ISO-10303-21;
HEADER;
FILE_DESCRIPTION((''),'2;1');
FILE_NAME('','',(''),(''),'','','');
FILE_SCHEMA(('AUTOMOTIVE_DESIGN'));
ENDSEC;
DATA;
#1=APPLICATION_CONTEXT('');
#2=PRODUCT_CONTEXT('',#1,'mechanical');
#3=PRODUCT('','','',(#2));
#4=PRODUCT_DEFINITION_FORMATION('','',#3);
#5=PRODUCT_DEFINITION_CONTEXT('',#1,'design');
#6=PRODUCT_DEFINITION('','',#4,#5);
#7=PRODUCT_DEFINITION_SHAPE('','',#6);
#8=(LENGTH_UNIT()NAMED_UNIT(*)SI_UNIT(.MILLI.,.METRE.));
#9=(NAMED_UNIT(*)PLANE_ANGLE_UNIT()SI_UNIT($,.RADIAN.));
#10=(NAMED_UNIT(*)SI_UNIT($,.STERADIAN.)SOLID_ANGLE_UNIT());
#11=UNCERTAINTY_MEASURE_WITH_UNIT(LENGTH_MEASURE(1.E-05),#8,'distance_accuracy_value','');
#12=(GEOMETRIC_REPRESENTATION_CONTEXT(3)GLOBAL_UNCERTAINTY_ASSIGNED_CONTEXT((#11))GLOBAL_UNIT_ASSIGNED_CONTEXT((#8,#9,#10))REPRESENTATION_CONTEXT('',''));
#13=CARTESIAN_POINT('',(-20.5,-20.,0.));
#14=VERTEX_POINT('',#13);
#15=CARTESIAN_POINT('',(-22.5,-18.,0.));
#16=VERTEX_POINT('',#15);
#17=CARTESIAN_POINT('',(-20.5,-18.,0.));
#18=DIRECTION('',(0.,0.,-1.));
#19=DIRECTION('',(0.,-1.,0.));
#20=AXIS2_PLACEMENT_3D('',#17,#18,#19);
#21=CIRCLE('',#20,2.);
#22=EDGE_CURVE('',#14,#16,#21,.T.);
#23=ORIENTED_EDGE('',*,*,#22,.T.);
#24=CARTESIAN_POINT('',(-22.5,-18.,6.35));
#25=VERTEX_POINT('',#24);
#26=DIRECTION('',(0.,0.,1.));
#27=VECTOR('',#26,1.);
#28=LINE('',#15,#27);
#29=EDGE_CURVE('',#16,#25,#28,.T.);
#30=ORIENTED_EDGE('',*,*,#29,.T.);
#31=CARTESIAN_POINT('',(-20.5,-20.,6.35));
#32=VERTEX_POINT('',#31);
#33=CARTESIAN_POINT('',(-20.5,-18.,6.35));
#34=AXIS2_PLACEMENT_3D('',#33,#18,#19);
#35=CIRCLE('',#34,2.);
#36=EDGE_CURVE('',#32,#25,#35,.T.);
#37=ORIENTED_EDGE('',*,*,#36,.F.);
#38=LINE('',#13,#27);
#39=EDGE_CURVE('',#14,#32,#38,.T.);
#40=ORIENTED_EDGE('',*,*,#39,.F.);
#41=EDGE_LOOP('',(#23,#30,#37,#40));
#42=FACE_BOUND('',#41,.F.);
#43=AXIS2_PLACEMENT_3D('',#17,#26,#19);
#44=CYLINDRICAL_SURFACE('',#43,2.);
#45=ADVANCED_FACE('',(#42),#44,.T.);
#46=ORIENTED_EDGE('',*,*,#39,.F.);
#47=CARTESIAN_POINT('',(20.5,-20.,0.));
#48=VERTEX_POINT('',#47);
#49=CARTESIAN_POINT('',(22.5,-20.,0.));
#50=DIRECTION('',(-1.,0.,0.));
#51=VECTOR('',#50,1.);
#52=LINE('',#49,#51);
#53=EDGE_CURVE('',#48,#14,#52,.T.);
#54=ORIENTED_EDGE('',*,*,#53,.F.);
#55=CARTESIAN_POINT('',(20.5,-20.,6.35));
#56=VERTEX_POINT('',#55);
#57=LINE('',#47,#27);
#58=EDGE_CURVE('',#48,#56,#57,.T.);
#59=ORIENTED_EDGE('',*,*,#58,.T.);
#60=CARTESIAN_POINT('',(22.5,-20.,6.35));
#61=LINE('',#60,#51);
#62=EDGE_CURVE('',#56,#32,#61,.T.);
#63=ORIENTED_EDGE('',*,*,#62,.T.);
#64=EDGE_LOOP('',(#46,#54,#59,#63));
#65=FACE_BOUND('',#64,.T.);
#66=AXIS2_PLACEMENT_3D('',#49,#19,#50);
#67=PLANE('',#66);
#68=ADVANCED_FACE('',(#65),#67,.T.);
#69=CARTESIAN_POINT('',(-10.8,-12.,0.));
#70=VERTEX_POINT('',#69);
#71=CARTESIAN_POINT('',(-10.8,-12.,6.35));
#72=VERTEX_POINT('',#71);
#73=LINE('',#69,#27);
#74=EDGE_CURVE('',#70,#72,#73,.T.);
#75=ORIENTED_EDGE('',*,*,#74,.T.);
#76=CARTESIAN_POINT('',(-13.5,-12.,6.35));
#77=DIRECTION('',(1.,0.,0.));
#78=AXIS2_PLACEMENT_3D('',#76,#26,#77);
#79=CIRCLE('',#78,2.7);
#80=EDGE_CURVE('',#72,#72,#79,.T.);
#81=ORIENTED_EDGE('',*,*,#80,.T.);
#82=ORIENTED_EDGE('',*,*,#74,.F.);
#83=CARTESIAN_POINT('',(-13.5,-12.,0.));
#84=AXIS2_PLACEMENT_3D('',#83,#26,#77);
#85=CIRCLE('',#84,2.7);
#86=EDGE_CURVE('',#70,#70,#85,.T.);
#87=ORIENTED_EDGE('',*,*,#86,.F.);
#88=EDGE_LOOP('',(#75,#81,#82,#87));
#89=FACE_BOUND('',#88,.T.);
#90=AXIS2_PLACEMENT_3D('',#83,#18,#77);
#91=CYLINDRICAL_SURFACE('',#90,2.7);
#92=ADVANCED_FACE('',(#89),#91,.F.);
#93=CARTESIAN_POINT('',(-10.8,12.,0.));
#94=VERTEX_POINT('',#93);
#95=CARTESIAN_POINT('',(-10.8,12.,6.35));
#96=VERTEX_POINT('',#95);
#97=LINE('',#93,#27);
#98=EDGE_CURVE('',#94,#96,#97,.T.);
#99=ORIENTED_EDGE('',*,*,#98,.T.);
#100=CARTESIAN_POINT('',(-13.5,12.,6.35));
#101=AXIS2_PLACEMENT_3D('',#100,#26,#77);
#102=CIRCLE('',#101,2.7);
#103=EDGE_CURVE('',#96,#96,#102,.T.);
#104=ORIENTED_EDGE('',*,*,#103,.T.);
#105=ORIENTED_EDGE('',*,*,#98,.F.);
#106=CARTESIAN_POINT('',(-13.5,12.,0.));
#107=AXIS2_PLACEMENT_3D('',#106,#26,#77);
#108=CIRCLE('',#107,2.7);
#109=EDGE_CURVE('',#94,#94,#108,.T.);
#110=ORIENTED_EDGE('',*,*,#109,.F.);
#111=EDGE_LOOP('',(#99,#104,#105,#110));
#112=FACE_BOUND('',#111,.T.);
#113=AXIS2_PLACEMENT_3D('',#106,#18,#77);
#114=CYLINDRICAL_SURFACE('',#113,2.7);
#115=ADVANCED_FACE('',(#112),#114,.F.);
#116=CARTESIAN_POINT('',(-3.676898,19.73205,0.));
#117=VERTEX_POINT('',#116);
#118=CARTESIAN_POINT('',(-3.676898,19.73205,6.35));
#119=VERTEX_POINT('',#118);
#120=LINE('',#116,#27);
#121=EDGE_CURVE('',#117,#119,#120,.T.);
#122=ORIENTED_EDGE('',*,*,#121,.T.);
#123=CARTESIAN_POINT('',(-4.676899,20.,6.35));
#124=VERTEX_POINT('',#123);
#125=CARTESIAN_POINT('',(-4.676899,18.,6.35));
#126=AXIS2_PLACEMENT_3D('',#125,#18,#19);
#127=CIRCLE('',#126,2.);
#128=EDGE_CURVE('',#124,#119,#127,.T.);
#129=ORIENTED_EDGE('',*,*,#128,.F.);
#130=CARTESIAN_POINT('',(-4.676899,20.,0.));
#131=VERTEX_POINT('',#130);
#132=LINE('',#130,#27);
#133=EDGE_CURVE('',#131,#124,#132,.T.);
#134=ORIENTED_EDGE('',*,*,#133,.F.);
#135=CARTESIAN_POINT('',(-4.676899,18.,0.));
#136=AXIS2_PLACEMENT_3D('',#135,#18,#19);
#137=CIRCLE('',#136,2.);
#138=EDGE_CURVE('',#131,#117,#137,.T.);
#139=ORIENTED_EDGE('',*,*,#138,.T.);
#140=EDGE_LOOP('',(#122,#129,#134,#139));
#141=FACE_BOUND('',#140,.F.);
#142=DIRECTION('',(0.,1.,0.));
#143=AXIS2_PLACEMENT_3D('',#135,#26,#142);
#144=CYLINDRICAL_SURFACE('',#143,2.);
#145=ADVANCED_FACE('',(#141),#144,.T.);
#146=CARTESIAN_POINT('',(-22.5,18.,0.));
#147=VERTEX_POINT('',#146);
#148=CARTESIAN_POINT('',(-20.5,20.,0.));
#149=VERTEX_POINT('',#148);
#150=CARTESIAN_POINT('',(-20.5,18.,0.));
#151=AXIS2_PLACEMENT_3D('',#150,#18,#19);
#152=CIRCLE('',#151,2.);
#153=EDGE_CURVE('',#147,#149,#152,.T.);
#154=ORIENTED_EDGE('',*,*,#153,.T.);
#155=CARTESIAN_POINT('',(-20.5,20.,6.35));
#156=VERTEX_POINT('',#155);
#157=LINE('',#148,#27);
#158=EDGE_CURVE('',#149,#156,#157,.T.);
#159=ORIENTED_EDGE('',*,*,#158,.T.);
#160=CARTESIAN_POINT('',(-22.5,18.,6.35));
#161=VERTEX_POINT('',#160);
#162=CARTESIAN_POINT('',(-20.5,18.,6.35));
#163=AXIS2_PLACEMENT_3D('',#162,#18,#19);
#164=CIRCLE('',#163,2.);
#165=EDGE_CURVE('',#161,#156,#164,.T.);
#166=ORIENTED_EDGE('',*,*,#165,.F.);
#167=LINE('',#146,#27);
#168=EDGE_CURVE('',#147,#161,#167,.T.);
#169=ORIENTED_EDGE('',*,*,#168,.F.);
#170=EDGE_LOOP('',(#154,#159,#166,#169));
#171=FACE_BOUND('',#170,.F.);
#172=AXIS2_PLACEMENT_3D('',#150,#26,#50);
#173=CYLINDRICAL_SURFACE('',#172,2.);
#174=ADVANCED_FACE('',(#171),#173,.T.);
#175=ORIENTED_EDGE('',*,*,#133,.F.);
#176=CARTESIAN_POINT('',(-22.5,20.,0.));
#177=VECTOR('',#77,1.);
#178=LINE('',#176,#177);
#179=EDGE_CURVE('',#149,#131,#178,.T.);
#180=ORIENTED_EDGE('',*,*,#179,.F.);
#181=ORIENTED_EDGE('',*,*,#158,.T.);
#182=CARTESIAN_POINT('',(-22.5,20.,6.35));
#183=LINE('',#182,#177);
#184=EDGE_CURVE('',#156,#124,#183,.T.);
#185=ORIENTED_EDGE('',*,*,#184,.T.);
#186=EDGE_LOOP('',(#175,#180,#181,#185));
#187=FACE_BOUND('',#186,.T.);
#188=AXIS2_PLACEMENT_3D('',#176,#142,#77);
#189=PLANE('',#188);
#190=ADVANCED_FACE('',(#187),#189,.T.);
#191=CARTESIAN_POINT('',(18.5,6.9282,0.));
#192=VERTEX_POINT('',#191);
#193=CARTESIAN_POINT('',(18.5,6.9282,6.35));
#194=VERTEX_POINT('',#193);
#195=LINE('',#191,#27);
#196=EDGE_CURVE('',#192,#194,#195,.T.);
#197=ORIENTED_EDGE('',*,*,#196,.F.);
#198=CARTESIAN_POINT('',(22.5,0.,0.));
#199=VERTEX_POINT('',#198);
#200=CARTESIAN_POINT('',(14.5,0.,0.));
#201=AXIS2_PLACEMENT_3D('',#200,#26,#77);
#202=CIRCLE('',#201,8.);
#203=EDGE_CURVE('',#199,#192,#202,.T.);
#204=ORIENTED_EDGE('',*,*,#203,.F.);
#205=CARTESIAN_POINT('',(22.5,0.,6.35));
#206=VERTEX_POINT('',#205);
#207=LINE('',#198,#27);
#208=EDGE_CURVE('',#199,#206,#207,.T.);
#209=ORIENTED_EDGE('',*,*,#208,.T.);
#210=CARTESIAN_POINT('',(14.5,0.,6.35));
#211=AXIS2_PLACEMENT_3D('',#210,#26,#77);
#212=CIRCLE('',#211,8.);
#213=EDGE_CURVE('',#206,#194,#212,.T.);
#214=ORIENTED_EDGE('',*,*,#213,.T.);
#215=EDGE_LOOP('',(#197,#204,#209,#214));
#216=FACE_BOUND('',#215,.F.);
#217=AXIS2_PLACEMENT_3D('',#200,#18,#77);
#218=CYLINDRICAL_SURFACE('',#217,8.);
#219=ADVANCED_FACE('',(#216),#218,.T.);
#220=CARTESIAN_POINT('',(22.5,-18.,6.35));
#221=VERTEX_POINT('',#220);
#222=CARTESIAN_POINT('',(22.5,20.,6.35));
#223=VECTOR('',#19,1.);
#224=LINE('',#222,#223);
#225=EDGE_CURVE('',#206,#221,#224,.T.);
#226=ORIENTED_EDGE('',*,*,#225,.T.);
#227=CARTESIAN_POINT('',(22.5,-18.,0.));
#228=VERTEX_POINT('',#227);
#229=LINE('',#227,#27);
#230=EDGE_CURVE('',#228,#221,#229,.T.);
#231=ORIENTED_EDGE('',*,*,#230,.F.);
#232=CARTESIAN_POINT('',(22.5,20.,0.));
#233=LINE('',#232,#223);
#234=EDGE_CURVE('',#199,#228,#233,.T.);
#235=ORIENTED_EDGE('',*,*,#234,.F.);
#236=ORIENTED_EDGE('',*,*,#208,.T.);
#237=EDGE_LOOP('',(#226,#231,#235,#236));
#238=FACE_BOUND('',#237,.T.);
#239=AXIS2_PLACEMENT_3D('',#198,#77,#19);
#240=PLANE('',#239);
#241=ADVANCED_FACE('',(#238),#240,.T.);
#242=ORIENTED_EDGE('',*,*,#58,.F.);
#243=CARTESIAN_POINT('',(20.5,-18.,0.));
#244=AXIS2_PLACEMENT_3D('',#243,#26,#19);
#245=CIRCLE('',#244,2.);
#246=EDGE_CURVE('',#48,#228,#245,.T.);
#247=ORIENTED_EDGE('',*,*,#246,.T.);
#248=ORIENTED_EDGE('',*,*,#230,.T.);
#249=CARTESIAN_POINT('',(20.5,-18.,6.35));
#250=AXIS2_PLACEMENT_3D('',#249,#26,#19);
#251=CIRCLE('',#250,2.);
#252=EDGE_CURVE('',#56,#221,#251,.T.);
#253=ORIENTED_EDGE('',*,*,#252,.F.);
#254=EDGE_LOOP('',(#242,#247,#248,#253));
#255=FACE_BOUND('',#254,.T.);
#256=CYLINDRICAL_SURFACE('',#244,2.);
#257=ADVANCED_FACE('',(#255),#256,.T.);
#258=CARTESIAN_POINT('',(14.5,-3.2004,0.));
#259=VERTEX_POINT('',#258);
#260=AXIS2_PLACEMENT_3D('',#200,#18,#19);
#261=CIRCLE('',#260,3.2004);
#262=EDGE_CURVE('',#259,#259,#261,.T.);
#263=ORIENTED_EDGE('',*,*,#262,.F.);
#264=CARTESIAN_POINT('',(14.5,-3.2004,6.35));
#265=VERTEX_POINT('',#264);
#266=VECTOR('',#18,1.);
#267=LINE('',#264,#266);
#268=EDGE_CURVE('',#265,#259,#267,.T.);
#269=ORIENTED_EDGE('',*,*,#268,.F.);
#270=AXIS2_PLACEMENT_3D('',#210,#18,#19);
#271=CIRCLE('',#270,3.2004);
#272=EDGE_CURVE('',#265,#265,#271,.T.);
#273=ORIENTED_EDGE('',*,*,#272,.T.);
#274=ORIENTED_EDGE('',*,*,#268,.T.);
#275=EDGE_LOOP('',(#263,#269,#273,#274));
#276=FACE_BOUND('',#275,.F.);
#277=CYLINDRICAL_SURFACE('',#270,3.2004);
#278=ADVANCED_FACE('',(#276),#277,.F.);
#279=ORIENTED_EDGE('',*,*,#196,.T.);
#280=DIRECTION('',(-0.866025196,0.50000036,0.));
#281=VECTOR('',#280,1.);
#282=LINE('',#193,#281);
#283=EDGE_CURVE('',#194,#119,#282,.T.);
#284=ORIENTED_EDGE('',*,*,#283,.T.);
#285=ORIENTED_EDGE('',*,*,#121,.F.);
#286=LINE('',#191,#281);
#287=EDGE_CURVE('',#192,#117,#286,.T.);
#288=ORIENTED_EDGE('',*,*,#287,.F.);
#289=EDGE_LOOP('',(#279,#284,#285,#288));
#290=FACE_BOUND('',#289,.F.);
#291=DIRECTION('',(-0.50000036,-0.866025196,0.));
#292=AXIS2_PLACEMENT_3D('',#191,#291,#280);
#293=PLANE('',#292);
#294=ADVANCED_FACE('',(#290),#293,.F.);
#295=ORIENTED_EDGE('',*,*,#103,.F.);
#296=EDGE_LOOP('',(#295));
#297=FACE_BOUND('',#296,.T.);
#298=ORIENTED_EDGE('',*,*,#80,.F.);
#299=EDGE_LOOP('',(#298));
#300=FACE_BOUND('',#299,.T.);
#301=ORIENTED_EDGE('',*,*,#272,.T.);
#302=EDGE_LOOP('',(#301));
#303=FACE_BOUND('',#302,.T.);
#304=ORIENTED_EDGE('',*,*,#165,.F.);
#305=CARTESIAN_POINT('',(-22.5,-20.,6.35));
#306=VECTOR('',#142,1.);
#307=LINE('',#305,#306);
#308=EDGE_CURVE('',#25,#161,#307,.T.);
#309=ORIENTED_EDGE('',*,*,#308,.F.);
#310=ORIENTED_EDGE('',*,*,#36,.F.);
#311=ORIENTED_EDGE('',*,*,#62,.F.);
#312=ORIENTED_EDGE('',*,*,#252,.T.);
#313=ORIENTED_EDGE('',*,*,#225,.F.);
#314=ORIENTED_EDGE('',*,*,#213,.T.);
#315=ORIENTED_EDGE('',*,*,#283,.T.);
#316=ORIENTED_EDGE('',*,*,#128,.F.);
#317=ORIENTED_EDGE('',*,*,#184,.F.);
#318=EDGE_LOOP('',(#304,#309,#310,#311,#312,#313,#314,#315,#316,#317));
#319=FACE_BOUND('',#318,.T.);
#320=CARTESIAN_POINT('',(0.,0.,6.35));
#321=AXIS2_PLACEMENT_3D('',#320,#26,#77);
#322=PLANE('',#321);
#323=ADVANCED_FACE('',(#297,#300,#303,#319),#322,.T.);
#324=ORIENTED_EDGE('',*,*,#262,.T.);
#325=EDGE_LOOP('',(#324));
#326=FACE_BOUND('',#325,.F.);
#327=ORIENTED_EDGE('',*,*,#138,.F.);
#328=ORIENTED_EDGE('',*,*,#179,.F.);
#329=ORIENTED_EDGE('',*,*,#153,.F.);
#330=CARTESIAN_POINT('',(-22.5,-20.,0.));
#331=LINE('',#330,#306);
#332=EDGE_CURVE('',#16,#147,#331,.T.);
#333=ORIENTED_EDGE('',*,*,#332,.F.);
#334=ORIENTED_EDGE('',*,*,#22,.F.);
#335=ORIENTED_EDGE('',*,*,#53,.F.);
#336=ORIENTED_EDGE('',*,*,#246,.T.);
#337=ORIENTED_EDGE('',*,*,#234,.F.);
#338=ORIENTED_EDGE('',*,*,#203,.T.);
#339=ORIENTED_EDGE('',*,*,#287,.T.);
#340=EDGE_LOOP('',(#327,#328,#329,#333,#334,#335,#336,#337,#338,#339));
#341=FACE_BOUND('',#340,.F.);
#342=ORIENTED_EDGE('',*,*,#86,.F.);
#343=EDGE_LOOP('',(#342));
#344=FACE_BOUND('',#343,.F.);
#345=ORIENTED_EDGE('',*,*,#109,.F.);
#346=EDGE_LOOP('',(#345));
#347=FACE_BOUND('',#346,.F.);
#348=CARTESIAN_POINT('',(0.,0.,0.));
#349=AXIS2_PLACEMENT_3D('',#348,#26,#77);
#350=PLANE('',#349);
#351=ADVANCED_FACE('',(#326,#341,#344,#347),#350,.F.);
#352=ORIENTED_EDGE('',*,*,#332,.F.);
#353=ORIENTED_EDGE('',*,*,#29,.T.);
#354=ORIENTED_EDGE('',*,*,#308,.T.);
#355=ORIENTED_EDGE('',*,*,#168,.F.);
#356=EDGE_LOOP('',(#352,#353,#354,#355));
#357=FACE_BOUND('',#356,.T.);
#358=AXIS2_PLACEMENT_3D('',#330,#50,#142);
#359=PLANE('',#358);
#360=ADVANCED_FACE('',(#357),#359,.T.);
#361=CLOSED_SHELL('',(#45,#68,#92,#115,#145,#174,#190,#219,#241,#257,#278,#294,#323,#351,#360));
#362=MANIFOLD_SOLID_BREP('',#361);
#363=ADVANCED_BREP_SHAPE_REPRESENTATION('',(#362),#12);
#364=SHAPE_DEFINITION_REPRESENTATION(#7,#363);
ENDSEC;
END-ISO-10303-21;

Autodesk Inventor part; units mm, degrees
ref_plane "YZ Plane" through (0, 0, 0) normal (1, 0, 0) x (0, 1, 0)
ref_plane "XZ Plane" through (0, 0, 0) normal (0, 1, 0) x (-1, 0, 0)
ref_plane "XY Plane" through (0, 0, 0) normal (0, 0, 1) x (1, 0, 0)
sketch "Sketch1" plane through (0, 0, 0) normal (0, 0, 1) x (1, 0, 0)
  line L0 (22.5, -20) -> (-22.5, -20)
  line L1 (-22.5, -20) -> (-22.5, 20)
  line L2 (-22.5, 20) -> (22.5, 20)
  line L3 (22.5, 20) -> (22.5, -20)
  line L4 (22.5, -20) -> (-22.5, 20) construction
  line L5 (-22.5, -20) -> (22.5, 20) construction
  circle A0 centre (14.5, 0) radius 8
  line L6 (18.5, 6.9282) -> (-4.141, 20)
  circle A1 centre (-13.5, 12) radius 2.7
  circle A2 centre (-13.5, -12) radius 2.7
  point P0 (0, 0)
  point P1 (22.5, 0)
  dimension "d4" = 16
  dimension "d0" = 40
  dimension "d1" = 9
  dimension "d2" = 8
  dimension "d3" = 8
  dimension "d5" = 28
  dimension "d6" = 30
  dimension "d7" = 20
  dimension "d8" = 5.4
extrude "Extrusion1" add sketch "Sketch1" along normal blind 6.35 contours L0 L1 L2 L6 A0 L3 | A0
sketch "Sketch2" plane through (0, 0, 6.35) normal (0, 0, 1) x (1, 0, 0)
  arc A0 (22.5, 0) -> (18.5, 6.9282) centre (14.5, 0) ccw projected
  point P0 (0, 0)
hole "Hole1" at (14.5, 0, 6.35) direction (0, 0, -1) diameter 6.4008 end through all thread size "5/16-18 UNC" class "2B" standard "ANSI Unified Screw Threads"
fillet "Fillet1" radius 2 4 edges at (-22.5, 20, 3.175) (-22.5, -20, 3.175) (22.5, -20, 3.175) (-4.141, 20, 3.175)
equation "\"d3\" = d2"
properties part number "Gas Strut Lower Plate"
